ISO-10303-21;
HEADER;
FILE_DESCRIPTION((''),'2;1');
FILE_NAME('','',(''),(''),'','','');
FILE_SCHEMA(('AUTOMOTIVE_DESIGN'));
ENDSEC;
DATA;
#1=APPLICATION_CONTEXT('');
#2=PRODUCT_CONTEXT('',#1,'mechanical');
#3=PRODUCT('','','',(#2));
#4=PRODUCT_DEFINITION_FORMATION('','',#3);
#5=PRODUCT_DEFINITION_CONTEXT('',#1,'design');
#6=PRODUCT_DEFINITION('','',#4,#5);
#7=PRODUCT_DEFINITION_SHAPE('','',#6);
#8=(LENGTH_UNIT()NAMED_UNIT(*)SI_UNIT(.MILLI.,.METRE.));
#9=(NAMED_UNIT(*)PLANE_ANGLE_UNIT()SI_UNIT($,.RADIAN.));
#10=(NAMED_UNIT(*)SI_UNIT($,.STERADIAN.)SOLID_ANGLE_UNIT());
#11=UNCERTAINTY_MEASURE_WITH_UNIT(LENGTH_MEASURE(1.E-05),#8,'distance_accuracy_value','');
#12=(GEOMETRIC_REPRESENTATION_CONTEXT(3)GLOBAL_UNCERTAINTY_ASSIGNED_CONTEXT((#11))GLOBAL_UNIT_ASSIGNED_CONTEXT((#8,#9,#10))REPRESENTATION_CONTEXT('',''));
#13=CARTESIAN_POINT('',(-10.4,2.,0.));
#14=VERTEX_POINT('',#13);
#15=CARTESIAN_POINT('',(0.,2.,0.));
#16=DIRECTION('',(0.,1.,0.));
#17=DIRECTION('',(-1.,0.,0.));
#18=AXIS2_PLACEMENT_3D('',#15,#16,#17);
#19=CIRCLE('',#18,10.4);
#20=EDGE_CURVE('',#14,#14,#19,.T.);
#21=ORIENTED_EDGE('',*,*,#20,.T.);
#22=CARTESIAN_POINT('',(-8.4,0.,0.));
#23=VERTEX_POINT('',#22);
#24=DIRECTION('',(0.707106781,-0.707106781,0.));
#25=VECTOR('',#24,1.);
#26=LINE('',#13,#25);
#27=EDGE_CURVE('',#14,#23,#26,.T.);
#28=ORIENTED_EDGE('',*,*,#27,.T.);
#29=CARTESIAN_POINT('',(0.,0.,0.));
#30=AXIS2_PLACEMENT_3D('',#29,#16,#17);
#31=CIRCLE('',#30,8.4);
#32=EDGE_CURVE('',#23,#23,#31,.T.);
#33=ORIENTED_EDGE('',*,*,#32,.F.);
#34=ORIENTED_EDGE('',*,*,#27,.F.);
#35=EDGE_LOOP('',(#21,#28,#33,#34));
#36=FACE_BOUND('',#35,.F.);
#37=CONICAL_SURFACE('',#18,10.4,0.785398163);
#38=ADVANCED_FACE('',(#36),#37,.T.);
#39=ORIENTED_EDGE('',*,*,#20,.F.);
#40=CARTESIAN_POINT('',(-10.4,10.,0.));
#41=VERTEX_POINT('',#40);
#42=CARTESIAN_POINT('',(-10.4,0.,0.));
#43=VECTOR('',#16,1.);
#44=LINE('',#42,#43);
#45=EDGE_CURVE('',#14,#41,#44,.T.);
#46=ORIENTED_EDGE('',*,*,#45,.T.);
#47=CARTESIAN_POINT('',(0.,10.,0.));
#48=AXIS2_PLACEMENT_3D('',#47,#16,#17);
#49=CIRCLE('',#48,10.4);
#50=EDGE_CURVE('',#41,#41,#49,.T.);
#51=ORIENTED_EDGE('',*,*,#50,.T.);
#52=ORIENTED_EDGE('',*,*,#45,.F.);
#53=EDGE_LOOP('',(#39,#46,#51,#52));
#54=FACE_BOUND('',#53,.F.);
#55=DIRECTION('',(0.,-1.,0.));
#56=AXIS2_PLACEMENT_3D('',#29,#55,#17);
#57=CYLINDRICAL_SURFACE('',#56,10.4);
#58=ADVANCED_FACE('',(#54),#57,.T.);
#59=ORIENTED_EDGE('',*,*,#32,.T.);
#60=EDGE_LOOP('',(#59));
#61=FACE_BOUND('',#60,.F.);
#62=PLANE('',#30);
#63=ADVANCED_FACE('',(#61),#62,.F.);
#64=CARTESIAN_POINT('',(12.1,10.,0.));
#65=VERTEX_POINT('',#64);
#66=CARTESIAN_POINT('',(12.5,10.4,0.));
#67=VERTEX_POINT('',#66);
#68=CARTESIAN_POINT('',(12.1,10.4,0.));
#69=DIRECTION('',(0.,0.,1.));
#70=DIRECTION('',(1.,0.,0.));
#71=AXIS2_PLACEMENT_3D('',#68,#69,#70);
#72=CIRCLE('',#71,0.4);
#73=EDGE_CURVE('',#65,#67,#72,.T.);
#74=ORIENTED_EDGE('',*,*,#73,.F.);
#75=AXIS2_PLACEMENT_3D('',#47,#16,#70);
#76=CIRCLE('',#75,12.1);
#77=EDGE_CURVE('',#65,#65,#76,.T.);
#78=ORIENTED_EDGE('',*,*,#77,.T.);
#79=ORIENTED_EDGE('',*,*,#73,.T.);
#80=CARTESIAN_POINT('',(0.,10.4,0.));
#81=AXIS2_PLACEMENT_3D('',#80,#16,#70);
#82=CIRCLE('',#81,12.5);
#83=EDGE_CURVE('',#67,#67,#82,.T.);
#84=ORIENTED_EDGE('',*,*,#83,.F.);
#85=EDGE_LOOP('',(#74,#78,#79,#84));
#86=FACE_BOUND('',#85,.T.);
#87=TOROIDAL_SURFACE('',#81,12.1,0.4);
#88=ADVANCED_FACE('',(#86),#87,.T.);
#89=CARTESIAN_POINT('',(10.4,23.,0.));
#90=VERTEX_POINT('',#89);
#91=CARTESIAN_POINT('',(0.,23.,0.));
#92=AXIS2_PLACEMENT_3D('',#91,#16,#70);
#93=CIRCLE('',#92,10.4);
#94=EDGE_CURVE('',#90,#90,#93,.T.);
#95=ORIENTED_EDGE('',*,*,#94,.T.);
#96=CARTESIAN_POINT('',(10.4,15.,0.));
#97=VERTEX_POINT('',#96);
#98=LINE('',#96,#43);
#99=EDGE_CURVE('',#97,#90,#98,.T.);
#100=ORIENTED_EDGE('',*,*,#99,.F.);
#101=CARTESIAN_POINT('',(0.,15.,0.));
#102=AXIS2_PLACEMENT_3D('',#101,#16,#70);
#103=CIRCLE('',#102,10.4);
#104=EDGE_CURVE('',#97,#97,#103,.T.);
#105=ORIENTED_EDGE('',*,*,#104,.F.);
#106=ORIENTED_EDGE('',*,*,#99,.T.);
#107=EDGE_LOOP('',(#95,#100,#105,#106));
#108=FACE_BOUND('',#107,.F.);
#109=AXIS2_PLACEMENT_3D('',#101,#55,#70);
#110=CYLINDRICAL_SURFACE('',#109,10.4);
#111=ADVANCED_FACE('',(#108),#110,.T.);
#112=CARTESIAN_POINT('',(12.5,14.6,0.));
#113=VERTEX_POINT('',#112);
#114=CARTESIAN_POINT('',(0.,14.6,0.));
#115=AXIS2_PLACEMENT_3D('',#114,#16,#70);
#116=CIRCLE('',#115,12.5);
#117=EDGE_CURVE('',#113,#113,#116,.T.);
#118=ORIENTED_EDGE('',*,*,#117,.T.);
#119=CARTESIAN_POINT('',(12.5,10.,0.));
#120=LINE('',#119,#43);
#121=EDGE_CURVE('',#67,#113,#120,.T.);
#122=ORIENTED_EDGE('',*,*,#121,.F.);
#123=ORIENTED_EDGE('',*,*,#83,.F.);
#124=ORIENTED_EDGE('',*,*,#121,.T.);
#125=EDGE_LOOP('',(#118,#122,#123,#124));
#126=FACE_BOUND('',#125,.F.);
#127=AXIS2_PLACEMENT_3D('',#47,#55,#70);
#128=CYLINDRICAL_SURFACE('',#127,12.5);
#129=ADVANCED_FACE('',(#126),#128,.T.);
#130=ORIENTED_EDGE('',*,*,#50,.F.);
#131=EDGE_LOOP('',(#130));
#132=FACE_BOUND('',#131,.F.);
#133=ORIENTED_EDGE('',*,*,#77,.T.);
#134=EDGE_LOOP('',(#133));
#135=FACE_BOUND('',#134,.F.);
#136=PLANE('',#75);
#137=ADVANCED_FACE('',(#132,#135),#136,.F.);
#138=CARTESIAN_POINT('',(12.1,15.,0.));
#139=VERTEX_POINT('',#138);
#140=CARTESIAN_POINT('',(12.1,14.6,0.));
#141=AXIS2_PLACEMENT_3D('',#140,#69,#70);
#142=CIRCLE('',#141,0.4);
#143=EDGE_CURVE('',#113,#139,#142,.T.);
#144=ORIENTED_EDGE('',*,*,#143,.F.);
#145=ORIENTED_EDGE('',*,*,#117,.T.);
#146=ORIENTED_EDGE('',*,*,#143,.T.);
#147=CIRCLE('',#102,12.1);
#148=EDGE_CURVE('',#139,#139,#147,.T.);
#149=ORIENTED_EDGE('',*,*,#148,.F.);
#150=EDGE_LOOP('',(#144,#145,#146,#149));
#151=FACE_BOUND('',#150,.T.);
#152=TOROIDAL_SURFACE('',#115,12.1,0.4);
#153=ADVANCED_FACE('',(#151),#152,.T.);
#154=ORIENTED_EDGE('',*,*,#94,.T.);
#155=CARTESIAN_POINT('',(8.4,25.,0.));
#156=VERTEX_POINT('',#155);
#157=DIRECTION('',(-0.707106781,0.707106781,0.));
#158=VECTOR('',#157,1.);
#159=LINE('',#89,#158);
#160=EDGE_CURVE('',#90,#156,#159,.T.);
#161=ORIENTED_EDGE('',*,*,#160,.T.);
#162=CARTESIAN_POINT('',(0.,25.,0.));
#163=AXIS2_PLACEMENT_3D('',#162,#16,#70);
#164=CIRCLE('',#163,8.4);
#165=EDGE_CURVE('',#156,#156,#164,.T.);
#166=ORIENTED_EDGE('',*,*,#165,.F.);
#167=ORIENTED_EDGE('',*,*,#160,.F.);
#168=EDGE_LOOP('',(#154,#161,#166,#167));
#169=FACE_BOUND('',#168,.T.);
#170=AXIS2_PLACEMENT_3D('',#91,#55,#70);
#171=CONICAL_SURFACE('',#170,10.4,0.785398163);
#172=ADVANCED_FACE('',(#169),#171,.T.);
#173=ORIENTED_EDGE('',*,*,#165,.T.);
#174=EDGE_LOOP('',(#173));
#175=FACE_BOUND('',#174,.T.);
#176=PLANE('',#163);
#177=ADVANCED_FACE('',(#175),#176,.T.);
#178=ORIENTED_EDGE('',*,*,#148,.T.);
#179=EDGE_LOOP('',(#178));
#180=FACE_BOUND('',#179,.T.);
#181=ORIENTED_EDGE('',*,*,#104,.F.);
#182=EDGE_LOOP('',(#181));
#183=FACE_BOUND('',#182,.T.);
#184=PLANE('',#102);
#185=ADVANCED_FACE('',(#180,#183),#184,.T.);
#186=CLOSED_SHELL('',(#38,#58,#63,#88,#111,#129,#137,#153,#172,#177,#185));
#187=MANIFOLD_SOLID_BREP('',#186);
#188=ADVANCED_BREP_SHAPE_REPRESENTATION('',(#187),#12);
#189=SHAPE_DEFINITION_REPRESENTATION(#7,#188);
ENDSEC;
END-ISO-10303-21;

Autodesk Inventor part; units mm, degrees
ref_plane "YZ Plane" through (0, 0, 0) normal (1, 0, 0) x (0, 1, 0)
ref_plane "XZ Plane" through (0, 0, 0) normal (0, 1, 0) x (-1, 0, 0)
ref_plane "XY Plane" through (0, 0, 0) normal (0, 0, 1) x (1, 0, 0)
sketch "草图1" plane through (0, 0, 0) normal (0, 1, 0) x (-1, 0, 0)
  circle A0 centre (0, 0) radius 10.4
  dimension "d1" = 20.8
extrude "拉伸1" add sketch "草图1" along normal blind 10
sketch "草图2" plane through (0, 10, 0) normal (0, 1, 0) x (1, 0, 0)
  circle A0 centre (0, 0) radius 12.5
  dimension "d4" = 25
extrude "拉伸2" add sketch "草图2" along normal blind 5
sketch "草图3" plane through (0, 15, 0) normal (0, 1, 0) x (1, 0, 0)
  circle A0 centre (0, 0) radius 10.4
  dimension "d7" = 20.8
extrude "拉伸3" add sketch "草图3" along normal blind 10
chamfer "倒角1" distance 2 angle 45 2 edges at (10.4, 0, 0) (-10.4, 25, 0)
fillet "圆角1" radius 0.4 2 edges at (-12.5, 10, 0) (-12.5, 15, 0)
properties part number "GuardStopper"
